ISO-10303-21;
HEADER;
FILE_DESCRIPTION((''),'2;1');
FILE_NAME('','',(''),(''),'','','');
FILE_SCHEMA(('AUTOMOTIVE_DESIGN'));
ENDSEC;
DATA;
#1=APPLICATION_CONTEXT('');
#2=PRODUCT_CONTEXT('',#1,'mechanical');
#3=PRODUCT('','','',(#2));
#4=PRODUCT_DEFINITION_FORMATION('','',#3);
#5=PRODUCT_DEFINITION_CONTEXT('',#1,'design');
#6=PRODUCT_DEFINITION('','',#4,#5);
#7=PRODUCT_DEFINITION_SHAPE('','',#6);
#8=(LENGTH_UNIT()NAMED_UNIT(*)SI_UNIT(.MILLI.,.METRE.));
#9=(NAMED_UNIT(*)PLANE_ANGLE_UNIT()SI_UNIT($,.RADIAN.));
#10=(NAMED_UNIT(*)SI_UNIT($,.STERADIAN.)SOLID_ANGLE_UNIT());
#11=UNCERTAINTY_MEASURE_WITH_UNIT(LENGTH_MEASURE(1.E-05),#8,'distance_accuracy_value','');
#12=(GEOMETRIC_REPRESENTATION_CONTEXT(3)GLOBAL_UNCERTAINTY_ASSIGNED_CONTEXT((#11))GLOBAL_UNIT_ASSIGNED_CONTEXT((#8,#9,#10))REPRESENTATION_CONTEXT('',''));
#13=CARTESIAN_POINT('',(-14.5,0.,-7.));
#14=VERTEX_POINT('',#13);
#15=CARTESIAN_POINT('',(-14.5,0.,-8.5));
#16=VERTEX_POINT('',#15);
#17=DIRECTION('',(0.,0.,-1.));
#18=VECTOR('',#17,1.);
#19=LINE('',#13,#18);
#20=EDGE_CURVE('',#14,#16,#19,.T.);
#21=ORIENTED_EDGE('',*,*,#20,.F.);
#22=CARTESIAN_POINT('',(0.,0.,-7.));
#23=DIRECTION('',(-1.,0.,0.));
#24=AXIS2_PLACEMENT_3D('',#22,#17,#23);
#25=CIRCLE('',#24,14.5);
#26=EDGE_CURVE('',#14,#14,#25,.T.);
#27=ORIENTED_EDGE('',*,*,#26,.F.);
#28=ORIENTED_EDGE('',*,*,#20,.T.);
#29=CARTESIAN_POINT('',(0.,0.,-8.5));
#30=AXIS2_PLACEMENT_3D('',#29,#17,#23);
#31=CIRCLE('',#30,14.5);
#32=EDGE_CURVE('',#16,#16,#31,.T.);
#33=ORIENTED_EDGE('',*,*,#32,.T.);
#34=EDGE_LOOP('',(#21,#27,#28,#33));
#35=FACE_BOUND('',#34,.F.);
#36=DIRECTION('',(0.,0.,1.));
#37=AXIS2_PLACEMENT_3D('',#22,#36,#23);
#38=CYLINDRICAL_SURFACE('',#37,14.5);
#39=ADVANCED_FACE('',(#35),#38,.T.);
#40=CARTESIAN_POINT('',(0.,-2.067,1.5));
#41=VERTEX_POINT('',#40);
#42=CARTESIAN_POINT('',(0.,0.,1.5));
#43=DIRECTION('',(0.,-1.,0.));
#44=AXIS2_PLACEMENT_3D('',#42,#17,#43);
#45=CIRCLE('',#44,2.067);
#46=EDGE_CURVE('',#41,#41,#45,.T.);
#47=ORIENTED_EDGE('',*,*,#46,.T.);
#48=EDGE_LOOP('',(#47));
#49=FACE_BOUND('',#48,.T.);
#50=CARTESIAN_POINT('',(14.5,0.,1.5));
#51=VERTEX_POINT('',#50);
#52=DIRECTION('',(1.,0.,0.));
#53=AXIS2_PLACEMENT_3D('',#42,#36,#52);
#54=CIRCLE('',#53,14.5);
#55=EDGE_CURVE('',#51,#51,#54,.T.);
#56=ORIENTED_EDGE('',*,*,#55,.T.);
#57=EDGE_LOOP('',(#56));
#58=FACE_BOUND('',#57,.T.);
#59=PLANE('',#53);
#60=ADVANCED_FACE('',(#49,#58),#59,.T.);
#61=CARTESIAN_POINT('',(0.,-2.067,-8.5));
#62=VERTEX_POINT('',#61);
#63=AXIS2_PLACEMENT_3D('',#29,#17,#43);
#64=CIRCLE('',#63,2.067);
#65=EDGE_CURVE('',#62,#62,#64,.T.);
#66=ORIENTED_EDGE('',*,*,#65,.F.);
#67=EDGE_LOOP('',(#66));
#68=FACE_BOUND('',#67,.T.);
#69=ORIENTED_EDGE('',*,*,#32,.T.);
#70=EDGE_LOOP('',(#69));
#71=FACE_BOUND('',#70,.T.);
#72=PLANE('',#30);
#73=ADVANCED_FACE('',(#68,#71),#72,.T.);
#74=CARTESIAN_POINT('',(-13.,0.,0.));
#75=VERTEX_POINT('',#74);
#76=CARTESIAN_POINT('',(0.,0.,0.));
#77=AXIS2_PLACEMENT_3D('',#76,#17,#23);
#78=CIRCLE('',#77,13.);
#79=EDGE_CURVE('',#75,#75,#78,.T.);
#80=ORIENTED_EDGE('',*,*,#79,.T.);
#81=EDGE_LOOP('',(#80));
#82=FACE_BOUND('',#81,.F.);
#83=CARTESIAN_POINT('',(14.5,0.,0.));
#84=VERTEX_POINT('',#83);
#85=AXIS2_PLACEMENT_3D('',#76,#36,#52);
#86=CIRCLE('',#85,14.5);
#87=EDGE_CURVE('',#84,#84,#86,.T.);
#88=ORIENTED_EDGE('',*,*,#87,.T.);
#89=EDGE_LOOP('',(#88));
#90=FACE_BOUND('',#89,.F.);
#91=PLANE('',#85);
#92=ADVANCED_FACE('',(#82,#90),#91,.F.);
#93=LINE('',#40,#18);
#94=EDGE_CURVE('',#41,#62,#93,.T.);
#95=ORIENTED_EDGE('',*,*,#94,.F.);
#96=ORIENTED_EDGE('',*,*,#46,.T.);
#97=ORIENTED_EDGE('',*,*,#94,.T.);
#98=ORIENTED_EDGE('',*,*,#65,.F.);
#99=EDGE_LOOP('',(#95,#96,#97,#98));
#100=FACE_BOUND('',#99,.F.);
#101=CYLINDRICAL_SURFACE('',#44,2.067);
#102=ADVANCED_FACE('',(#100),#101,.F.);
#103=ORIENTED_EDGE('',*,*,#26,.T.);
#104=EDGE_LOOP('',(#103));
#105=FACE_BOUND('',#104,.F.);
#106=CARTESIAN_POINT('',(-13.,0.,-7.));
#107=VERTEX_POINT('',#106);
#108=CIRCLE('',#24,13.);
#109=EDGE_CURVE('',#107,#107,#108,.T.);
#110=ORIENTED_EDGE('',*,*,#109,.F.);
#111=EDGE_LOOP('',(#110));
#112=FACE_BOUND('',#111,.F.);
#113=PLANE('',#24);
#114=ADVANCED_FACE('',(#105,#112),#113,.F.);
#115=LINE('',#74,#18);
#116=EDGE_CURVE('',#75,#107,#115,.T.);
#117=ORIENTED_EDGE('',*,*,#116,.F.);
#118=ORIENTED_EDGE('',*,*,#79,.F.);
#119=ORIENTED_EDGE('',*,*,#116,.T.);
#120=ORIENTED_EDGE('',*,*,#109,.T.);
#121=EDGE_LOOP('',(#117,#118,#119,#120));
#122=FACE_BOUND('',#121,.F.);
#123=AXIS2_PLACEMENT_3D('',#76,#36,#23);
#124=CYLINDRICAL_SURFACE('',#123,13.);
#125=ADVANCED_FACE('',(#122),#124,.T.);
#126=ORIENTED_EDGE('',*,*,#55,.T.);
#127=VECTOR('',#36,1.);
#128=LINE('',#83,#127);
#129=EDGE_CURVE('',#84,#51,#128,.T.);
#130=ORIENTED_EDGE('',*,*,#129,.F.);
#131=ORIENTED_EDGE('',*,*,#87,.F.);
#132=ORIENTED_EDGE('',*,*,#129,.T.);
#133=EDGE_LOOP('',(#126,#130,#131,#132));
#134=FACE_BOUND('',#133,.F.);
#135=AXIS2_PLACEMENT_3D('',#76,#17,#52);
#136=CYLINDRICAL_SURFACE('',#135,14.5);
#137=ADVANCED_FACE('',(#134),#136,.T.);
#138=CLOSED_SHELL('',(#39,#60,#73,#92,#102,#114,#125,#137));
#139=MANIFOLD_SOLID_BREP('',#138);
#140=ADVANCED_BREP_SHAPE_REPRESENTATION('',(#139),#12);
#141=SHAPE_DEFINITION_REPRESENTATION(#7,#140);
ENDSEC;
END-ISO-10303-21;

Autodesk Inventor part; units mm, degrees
ref_plane "YZ Plane" through (0, 0, 0) normal (1, 0, 0) x (0, 1, 0)
ref_plane "XZ Plane" through (0, 0, 0) normal (0, 1, 0) x (-1, 0, 0)
ref_plane "XY Plane" through (0, 0, 0) normal (0, 0, 1) x (1, 0, 0)
sketch "Sketch1" plane through (0, 0, 0) normal (0, 0, 1) x (1, 0, 0)
  circle A0 centre (0, 0) radius 14.5
  dimension "d0" = 29
extrude "Extrusion1" add sketch "Sketch1" along normal blind 1.5
sketch "Sketch2" plane through (0, 0, 0) normal (0, 0, -1) x (-1, 0, 0)
  circle A0 centre (0, 0) radius 14.5 projected
  circle A1 centre (0, 0) radius 13
  dimension "d3" = 26
extrude "Extrusion2" add sketch "Sketch2" along normal blind 7 contours A1
sketch "Sketch3" plane through (0, 0, -7) normal (0, 0, -1) x (-1, 0, 0)
  circle A0 centre (0, 0) radius 13 projected
  circle A1 centre (0, 0) radius 14.5
  dimension "d6" = 29
extrude "Extrusion3" add sketch "Sketch3" along normal blind 1.5 contours A0 | A1
sketch "Sketch4" plane through (0, 0, 1.5) normal (0, 0, 1) x (1, 0, 0)
  circle A0 centre (0, 0) radius 14.5 projected
hole "Hole1" at (0, 0, 1.5) direction (0, 0, -1) diameter 4.134 end through all thread size "M5x0.8" class "6H" standard "ANSI Metric M Profile"
properties part number "20 - Piston" material "Steel AISI 1020 107 HR"
